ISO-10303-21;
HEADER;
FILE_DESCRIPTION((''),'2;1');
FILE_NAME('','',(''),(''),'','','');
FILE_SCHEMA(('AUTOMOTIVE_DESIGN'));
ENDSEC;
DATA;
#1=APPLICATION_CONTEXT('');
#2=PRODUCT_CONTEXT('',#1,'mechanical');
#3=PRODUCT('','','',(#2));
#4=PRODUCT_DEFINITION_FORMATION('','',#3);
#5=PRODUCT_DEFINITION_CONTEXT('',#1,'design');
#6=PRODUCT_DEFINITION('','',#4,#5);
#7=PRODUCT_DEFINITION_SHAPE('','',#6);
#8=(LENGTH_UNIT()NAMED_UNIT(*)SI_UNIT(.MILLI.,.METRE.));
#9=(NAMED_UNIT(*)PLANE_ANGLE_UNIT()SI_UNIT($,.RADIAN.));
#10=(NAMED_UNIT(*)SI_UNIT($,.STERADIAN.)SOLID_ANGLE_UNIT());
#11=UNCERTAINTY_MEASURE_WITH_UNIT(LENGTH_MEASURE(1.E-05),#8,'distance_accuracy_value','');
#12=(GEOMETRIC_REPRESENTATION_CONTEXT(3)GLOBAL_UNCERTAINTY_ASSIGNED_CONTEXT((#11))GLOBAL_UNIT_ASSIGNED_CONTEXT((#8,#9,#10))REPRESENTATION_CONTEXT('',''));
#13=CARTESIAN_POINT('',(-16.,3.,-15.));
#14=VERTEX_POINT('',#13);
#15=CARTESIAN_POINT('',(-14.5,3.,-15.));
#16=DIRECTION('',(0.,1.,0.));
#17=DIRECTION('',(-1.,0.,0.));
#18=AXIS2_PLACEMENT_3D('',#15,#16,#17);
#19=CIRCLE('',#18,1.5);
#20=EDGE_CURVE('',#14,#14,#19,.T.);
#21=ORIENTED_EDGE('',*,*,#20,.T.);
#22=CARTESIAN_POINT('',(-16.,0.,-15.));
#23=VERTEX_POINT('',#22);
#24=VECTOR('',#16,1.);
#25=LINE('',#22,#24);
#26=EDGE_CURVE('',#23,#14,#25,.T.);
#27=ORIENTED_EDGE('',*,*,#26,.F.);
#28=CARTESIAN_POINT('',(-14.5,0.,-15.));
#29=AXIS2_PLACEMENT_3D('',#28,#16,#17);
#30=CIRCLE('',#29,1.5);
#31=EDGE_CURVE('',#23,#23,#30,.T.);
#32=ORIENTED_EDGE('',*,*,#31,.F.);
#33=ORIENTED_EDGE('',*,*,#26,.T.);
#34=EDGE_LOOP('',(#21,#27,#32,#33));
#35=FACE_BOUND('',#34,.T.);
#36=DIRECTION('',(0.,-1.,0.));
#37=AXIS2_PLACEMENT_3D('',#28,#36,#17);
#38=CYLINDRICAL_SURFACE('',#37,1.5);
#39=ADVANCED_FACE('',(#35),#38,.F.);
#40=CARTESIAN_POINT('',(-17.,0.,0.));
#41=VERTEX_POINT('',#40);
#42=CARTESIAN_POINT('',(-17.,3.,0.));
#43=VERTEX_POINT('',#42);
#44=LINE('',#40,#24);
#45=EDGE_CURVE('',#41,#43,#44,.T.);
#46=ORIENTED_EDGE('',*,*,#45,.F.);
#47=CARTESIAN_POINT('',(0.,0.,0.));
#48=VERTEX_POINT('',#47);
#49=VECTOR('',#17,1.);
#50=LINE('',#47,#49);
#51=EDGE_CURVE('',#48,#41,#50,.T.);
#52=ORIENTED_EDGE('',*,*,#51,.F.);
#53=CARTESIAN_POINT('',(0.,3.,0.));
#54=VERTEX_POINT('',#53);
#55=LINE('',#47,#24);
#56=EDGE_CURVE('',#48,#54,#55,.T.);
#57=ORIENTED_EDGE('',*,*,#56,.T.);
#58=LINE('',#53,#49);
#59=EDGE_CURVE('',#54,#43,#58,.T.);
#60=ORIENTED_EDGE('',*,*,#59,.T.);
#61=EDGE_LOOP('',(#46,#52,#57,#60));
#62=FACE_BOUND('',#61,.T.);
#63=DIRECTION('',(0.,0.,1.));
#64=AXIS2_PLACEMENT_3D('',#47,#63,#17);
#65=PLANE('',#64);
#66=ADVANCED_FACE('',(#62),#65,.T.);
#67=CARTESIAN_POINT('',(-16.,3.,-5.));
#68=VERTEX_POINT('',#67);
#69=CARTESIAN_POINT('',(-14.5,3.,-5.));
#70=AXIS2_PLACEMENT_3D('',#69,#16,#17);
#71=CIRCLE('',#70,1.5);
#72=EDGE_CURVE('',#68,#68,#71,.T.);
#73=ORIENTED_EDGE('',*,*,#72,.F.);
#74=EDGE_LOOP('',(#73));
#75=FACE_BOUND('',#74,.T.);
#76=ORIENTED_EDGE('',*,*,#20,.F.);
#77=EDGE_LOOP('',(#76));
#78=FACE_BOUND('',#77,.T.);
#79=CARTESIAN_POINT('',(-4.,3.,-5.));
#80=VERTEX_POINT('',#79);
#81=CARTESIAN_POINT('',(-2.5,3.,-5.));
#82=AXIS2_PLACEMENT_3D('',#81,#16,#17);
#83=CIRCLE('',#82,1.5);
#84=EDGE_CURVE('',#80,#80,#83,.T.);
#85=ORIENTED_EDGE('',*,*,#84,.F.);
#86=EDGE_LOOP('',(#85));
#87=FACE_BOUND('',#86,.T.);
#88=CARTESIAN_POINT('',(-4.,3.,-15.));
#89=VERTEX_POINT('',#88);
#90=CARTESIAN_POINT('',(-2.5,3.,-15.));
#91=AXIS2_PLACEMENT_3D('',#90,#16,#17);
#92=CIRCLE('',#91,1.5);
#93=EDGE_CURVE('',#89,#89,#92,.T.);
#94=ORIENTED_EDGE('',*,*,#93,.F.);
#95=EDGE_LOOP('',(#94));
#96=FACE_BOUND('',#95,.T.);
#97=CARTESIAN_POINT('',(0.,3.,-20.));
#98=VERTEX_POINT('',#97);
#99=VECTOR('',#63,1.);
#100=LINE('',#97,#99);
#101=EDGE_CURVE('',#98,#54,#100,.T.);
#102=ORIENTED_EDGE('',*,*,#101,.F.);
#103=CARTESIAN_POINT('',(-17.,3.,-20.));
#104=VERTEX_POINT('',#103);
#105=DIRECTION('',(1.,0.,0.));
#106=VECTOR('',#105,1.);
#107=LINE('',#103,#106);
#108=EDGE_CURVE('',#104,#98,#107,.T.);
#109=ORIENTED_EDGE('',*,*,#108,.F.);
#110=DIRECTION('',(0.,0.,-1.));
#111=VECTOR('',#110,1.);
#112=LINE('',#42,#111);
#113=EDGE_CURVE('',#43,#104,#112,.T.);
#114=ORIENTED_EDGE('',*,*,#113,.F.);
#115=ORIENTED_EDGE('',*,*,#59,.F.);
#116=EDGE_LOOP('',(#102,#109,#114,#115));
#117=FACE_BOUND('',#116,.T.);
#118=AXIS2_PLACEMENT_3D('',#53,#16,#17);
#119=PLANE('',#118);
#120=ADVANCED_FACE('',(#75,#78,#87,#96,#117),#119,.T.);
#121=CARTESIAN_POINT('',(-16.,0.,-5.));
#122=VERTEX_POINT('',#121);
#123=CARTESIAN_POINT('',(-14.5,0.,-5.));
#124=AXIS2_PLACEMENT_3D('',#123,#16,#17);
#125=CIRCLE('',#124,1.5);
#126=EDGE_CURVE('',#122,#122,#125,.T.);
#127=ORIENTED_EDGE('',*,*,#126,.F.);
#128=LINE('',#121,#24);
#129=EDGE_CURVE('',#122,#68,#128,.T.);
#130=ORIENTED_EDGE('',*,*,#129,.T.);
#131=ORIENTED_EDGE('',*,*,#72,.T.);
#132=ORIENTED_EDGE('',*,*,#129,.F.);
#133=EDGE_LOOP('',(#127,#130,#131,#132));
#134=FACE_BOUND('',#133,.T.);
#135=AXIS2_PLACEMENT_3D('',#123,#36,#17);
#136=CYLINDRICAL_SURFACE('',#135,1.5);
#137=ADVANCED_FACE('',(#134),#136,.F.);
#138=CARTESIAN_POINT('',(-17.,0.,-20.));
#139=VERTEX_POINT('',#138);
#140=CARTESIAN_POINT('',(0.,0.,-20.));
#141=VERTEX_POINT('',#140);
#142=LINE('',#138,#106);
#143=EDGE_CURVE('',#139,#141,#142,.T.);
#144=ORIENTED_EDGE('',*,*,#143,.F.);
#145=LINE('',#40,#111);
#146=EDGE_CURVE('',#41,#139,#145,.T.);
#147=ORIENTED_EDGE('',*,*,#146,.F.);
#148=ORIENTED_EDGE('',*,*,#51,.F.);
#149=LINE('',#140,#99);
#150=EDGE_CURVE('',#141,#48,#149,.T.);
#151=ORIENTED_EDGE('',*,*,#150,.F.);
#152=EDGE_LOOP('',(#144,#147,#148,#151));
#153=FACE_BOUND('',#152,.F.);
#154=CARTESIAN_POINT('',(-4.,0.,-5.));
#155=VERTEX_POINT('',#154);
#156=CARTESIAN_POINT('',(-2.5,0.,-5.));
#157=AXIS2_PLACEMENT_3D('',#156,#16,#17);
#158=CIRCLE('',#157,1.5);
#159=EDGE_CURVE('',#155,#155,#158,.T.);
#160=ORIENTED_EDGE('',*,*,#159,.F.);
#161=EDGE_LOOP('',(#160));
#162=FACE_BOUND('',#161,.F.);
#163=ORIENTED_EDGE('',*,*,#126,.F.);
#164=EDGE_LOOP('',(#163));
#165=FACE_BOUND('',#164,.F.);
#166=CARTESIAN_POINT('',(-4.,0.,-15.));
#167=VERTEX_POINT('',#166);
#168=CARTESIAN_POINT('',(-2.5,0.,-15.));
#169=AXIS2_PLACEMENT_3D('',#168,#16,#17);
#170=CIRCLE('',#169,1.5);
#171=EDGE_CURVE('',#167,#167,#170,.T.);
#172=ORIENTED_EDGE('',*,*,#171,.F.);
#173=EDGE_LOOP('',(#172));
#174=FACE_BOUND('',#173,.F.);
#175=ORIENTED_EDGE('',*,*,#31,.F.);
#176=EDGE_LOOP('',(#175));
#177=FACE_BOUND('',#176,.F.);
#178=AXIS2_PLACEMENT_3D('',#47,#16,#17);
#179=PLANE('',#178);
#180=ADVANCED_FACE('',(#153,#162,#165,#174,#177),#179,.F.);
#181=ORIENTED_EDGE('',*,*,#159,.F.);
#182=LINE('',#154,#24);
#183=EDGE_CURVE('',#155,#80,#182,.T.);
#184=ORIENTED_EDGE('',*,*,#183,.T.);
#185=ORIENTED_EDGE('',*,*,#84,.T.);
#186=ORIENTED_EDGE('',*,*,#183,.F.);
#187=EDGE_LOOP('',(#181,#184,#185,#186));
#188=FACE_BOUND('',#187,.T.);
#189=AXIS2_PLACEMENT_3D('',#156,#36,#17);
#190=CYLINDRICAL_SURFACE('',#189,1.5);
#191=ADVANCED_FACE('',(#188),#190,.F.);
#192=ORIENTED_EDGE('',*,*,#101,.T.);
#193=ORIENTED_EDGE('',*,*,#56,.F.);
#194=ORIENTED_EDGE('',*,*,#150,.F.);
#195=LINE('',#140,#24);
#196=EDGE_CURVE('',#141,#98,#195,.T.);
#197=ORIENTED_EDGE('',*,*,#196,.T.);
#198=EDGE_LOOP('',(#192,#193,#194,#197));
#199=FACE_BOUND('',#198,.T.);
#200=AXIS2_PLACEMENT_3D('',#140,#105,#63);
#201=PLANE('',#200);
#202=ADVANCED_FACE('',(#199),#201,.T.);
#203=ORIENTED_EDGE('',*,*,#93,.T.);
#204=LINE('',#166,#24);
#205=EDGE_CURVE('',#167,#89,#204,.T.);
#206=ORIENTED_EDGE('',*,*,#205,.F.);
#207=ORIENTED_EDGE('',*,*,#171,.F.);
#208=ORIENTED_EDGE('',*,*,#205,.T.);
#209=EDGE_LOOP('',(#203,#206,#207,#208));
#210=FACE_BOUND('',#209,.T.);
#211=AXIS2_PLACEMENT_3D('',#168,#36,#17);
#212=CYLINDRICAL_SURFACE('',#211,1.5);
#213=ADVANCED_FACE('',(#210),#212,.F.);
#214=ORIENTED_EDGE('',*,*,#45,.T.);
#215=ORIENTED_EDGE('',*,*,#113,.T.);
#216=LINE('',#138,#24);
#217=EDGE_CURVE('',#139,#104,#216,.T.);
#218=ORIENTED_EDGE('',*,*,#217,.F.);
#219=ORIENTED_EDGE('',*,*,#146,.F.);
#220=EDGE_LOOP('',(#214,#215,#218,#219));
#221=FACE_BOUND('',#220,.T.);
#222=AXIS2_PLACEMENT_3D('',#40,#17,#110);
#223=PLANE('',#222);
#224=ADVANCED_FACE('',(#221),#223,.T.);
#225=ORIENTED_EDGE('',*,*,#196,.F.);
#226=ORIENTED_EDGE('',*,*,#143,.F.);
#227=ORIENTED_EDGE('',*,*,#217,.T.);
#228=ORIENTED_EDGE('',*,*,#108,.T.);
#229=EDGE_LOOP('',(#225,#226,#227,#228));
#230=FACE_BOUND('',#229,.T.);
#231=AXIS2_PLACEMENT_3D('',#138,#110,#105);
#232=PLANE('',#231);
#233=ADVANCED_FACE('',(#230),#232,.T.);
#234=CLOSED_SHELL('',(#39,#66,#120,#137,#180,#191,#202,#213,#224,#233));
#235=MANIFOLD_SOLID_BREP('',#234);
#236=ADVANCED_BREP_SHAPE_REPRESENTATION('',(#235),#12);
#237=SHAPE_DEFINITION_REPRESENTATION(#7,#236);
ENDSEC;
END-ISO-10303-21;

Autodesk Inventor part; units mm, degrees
ref_plane "YZ Plane" through (0, 0, 0) normal (1, 0, 0) x (0, 1, 0)
ref_plane "XZ Plane" through (0, 0, 0) normal (0, 1, 0) x (-1, 0, 0)
ref_plane "XY Plane" through (0, 0, 0) normal (0, 0, 1) x (1, 0, 0)
sketch "Esquisse1" plane through (0, 0, 0) normal (0, 1, 0) x (-1, 0, 0)
  line L0 (0, 0) -> (17, 0)
  line L1 (17, 0) -> (17, -20)
  line L2 (17, -20) -> (0, -20)
  line L3 (0, -20) -> (0, 0)
  line L4 (14.5, 0) -> (14.5, -20) construction
  line L5 (8.5, 0) -> (8.5, -20) construction
  line L6 (17, -10) -> (0, -10) construction
  circle A0 centre (14.5, -15) radius 1.5
  circle A1 centre (14.5, -5) radius 1.5
  circle A2 centre (2.5, -15) radius 1.5
  circle A3 centre (2.5, -5) radius 1.5
  dimension "d0" = 20
  dimension "d1" = 17
  dimension "d2" = 3
  dimension "d3" = 2.5
  dimension "d4" = 10
extrude "Extrusion1" add sketch "Esquisse1" along normal blind 3
sketch "Esquisse2" plane through (0, 0, 0) normal (0, -1, 0) x (1, 0, 0)
  circle A0 centre (-2.5, -5) radius 1.5 projected
  circle A1 centre (-2.5, -15) radius 1.5 projected
  circle A2 centre (-14.5, -5) radius 1.5 projected
  circle A3 centre (-14.5, -15) radius 1.5 projected
  line L0 (0, 0) -> (-17, 0) projected
  line L1 (-17, 0) -> (-17, -20) projected
  line L2 (-17, -20) -> (0, -20) projected
  line L3 (0, -20) -> (0, 0) projected
  line L4 (-17, 0) -> (-17.5, 0)
  line L5 (-17.5, 0) -> (-17.5, -20)
  line L6 (-17.5, -20) -> (-17, -20)
  line L7 (-17, -20) -> (-17, 0)
  dimension "d8" = 0.5
extrude "Extrusion2" [suppressed]
properties part number "adapter_top"
